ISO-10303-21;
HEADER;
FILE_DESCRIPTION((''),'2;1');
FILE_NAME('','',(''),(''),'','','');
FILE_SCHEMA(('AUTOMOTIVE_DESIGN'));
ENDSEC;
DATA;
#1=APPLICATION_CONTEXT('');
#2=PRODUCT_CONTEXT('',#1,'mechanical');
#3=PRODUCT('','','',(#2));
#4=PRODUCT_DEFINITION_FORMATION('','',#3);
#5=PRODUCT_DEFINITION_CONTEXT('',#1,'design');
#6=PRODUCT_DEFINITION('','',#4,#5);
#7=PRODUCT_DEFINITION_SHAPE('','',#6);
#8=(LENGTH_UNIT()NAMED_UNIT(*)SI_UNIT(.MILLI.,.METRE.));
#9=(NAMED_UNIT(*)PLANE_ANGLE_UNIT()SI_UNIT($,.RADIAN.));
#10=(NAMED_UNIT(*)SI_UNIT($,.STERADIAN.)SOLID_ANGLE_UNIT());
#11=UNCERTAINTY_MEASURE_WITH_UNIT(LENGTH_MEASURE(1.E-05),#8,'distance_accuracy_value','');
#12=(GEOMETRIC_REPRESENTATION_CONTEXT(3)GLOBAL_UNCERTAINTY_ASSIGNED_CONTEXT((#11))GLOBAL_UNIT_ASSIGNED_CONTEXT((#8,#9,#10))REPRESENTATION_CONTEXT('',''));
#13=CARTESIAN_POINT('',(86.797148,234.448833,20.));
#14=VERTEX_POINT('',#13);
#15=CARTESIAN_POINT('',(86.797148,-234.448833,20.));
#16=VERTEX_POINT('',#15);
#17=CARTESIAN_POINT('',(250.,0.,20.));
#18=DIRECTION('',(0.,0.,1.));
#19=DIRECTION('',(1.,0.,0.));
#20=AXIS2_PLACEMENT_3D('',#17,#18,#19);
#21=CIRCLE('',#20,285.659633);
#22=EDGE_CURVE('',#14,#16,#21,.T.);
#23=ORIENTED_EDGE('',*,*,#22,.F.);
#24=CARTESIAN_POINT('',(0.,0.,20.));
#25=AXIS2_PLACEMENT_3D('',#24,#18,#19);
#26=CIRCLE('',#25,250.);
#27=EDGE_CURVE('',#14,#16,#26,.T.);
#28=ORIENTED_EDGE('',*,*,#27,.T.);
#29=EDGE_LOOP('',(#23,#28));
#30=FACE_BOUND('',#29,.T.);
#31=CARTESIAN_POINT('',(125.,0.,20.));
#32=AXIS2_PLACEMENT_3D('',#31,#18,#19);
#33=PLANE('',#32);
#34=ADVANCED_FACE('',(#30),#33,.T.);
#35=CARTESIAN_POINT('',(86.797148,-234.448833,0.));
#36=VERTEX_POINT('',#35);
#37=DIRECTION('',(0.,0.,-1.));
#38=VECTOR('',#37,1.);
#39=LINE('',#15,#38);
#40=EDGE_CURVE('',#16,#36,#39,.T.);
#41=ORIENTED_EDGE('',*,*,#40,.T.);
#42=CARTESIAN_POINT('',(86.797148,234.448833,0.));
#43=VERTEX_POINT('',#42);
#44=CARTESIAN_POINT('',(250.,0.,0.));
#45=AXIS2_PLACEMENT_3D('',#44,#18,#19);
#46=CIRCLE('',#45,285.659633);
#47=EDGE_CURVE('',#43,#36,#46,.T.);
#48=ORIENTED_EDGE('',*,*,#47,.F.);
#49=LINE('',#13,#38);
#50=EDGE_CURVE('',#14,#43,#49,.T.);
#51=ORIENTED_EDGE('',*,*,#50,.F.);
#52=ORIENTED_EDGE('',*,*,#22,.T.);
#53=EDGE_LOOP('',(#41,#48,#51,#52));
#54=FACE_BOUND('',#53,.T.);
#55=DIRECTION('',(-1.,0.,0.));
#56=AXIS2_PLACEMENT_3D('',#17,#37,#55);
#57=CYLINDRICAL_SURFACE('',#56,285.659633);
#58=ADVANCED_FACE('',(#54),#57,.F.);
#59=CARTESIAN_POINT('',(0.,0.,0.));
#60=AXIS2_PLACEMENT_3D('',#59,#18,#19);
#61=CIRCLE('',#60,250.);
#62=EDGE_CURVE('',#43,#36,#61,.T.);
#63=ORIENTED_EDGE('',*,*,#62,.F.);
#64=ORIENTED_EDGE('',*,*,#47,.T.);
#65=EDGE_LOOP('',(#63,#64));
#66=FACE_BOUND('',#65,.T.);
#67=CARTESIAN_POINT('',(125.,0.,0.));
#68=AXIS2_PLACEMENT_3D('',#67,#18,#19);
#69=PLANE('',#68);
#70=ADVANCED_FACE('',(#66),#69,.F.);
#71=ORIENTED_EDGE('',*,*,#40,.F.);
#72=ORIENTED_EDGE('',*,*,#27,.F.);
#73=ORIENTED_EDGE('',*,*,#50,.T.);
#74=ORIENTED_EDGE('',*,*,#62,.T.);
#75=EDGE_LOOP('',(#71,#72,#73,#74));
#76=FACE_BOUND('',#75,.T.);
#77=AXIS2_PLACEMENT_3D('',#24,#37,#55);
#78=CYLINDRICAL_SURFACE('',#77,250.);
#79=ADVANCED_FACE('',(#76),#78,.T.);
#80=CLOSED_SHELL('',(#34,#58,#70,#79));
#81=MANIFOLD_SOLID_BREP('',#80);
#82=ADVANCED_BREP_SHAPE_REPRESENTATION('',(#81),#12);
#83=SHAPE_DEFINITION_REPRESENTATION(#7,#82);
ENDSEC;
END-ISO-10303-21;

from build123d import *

# Parameters (mm, degrees)
EXTRUDE_1_DEPTH = 20


with BuildPart() as part:
    # 草图1 → 凸台-拉伸1 (new body)
    with BuildSketch(Plane.XY):
        with BuildLine():
            ThreePointArc((86.797147672, 234.448832704), (-250, 0), (86.797147672, -234.448832704))
            ThreePointArc((86.797147672, -234.448832704), (-35.659633417, 0), (86.797147672, 234.448832704))
        make_face()
    extrude(amount=EXTRUDE_1_DEPTH)


solid = part.part
